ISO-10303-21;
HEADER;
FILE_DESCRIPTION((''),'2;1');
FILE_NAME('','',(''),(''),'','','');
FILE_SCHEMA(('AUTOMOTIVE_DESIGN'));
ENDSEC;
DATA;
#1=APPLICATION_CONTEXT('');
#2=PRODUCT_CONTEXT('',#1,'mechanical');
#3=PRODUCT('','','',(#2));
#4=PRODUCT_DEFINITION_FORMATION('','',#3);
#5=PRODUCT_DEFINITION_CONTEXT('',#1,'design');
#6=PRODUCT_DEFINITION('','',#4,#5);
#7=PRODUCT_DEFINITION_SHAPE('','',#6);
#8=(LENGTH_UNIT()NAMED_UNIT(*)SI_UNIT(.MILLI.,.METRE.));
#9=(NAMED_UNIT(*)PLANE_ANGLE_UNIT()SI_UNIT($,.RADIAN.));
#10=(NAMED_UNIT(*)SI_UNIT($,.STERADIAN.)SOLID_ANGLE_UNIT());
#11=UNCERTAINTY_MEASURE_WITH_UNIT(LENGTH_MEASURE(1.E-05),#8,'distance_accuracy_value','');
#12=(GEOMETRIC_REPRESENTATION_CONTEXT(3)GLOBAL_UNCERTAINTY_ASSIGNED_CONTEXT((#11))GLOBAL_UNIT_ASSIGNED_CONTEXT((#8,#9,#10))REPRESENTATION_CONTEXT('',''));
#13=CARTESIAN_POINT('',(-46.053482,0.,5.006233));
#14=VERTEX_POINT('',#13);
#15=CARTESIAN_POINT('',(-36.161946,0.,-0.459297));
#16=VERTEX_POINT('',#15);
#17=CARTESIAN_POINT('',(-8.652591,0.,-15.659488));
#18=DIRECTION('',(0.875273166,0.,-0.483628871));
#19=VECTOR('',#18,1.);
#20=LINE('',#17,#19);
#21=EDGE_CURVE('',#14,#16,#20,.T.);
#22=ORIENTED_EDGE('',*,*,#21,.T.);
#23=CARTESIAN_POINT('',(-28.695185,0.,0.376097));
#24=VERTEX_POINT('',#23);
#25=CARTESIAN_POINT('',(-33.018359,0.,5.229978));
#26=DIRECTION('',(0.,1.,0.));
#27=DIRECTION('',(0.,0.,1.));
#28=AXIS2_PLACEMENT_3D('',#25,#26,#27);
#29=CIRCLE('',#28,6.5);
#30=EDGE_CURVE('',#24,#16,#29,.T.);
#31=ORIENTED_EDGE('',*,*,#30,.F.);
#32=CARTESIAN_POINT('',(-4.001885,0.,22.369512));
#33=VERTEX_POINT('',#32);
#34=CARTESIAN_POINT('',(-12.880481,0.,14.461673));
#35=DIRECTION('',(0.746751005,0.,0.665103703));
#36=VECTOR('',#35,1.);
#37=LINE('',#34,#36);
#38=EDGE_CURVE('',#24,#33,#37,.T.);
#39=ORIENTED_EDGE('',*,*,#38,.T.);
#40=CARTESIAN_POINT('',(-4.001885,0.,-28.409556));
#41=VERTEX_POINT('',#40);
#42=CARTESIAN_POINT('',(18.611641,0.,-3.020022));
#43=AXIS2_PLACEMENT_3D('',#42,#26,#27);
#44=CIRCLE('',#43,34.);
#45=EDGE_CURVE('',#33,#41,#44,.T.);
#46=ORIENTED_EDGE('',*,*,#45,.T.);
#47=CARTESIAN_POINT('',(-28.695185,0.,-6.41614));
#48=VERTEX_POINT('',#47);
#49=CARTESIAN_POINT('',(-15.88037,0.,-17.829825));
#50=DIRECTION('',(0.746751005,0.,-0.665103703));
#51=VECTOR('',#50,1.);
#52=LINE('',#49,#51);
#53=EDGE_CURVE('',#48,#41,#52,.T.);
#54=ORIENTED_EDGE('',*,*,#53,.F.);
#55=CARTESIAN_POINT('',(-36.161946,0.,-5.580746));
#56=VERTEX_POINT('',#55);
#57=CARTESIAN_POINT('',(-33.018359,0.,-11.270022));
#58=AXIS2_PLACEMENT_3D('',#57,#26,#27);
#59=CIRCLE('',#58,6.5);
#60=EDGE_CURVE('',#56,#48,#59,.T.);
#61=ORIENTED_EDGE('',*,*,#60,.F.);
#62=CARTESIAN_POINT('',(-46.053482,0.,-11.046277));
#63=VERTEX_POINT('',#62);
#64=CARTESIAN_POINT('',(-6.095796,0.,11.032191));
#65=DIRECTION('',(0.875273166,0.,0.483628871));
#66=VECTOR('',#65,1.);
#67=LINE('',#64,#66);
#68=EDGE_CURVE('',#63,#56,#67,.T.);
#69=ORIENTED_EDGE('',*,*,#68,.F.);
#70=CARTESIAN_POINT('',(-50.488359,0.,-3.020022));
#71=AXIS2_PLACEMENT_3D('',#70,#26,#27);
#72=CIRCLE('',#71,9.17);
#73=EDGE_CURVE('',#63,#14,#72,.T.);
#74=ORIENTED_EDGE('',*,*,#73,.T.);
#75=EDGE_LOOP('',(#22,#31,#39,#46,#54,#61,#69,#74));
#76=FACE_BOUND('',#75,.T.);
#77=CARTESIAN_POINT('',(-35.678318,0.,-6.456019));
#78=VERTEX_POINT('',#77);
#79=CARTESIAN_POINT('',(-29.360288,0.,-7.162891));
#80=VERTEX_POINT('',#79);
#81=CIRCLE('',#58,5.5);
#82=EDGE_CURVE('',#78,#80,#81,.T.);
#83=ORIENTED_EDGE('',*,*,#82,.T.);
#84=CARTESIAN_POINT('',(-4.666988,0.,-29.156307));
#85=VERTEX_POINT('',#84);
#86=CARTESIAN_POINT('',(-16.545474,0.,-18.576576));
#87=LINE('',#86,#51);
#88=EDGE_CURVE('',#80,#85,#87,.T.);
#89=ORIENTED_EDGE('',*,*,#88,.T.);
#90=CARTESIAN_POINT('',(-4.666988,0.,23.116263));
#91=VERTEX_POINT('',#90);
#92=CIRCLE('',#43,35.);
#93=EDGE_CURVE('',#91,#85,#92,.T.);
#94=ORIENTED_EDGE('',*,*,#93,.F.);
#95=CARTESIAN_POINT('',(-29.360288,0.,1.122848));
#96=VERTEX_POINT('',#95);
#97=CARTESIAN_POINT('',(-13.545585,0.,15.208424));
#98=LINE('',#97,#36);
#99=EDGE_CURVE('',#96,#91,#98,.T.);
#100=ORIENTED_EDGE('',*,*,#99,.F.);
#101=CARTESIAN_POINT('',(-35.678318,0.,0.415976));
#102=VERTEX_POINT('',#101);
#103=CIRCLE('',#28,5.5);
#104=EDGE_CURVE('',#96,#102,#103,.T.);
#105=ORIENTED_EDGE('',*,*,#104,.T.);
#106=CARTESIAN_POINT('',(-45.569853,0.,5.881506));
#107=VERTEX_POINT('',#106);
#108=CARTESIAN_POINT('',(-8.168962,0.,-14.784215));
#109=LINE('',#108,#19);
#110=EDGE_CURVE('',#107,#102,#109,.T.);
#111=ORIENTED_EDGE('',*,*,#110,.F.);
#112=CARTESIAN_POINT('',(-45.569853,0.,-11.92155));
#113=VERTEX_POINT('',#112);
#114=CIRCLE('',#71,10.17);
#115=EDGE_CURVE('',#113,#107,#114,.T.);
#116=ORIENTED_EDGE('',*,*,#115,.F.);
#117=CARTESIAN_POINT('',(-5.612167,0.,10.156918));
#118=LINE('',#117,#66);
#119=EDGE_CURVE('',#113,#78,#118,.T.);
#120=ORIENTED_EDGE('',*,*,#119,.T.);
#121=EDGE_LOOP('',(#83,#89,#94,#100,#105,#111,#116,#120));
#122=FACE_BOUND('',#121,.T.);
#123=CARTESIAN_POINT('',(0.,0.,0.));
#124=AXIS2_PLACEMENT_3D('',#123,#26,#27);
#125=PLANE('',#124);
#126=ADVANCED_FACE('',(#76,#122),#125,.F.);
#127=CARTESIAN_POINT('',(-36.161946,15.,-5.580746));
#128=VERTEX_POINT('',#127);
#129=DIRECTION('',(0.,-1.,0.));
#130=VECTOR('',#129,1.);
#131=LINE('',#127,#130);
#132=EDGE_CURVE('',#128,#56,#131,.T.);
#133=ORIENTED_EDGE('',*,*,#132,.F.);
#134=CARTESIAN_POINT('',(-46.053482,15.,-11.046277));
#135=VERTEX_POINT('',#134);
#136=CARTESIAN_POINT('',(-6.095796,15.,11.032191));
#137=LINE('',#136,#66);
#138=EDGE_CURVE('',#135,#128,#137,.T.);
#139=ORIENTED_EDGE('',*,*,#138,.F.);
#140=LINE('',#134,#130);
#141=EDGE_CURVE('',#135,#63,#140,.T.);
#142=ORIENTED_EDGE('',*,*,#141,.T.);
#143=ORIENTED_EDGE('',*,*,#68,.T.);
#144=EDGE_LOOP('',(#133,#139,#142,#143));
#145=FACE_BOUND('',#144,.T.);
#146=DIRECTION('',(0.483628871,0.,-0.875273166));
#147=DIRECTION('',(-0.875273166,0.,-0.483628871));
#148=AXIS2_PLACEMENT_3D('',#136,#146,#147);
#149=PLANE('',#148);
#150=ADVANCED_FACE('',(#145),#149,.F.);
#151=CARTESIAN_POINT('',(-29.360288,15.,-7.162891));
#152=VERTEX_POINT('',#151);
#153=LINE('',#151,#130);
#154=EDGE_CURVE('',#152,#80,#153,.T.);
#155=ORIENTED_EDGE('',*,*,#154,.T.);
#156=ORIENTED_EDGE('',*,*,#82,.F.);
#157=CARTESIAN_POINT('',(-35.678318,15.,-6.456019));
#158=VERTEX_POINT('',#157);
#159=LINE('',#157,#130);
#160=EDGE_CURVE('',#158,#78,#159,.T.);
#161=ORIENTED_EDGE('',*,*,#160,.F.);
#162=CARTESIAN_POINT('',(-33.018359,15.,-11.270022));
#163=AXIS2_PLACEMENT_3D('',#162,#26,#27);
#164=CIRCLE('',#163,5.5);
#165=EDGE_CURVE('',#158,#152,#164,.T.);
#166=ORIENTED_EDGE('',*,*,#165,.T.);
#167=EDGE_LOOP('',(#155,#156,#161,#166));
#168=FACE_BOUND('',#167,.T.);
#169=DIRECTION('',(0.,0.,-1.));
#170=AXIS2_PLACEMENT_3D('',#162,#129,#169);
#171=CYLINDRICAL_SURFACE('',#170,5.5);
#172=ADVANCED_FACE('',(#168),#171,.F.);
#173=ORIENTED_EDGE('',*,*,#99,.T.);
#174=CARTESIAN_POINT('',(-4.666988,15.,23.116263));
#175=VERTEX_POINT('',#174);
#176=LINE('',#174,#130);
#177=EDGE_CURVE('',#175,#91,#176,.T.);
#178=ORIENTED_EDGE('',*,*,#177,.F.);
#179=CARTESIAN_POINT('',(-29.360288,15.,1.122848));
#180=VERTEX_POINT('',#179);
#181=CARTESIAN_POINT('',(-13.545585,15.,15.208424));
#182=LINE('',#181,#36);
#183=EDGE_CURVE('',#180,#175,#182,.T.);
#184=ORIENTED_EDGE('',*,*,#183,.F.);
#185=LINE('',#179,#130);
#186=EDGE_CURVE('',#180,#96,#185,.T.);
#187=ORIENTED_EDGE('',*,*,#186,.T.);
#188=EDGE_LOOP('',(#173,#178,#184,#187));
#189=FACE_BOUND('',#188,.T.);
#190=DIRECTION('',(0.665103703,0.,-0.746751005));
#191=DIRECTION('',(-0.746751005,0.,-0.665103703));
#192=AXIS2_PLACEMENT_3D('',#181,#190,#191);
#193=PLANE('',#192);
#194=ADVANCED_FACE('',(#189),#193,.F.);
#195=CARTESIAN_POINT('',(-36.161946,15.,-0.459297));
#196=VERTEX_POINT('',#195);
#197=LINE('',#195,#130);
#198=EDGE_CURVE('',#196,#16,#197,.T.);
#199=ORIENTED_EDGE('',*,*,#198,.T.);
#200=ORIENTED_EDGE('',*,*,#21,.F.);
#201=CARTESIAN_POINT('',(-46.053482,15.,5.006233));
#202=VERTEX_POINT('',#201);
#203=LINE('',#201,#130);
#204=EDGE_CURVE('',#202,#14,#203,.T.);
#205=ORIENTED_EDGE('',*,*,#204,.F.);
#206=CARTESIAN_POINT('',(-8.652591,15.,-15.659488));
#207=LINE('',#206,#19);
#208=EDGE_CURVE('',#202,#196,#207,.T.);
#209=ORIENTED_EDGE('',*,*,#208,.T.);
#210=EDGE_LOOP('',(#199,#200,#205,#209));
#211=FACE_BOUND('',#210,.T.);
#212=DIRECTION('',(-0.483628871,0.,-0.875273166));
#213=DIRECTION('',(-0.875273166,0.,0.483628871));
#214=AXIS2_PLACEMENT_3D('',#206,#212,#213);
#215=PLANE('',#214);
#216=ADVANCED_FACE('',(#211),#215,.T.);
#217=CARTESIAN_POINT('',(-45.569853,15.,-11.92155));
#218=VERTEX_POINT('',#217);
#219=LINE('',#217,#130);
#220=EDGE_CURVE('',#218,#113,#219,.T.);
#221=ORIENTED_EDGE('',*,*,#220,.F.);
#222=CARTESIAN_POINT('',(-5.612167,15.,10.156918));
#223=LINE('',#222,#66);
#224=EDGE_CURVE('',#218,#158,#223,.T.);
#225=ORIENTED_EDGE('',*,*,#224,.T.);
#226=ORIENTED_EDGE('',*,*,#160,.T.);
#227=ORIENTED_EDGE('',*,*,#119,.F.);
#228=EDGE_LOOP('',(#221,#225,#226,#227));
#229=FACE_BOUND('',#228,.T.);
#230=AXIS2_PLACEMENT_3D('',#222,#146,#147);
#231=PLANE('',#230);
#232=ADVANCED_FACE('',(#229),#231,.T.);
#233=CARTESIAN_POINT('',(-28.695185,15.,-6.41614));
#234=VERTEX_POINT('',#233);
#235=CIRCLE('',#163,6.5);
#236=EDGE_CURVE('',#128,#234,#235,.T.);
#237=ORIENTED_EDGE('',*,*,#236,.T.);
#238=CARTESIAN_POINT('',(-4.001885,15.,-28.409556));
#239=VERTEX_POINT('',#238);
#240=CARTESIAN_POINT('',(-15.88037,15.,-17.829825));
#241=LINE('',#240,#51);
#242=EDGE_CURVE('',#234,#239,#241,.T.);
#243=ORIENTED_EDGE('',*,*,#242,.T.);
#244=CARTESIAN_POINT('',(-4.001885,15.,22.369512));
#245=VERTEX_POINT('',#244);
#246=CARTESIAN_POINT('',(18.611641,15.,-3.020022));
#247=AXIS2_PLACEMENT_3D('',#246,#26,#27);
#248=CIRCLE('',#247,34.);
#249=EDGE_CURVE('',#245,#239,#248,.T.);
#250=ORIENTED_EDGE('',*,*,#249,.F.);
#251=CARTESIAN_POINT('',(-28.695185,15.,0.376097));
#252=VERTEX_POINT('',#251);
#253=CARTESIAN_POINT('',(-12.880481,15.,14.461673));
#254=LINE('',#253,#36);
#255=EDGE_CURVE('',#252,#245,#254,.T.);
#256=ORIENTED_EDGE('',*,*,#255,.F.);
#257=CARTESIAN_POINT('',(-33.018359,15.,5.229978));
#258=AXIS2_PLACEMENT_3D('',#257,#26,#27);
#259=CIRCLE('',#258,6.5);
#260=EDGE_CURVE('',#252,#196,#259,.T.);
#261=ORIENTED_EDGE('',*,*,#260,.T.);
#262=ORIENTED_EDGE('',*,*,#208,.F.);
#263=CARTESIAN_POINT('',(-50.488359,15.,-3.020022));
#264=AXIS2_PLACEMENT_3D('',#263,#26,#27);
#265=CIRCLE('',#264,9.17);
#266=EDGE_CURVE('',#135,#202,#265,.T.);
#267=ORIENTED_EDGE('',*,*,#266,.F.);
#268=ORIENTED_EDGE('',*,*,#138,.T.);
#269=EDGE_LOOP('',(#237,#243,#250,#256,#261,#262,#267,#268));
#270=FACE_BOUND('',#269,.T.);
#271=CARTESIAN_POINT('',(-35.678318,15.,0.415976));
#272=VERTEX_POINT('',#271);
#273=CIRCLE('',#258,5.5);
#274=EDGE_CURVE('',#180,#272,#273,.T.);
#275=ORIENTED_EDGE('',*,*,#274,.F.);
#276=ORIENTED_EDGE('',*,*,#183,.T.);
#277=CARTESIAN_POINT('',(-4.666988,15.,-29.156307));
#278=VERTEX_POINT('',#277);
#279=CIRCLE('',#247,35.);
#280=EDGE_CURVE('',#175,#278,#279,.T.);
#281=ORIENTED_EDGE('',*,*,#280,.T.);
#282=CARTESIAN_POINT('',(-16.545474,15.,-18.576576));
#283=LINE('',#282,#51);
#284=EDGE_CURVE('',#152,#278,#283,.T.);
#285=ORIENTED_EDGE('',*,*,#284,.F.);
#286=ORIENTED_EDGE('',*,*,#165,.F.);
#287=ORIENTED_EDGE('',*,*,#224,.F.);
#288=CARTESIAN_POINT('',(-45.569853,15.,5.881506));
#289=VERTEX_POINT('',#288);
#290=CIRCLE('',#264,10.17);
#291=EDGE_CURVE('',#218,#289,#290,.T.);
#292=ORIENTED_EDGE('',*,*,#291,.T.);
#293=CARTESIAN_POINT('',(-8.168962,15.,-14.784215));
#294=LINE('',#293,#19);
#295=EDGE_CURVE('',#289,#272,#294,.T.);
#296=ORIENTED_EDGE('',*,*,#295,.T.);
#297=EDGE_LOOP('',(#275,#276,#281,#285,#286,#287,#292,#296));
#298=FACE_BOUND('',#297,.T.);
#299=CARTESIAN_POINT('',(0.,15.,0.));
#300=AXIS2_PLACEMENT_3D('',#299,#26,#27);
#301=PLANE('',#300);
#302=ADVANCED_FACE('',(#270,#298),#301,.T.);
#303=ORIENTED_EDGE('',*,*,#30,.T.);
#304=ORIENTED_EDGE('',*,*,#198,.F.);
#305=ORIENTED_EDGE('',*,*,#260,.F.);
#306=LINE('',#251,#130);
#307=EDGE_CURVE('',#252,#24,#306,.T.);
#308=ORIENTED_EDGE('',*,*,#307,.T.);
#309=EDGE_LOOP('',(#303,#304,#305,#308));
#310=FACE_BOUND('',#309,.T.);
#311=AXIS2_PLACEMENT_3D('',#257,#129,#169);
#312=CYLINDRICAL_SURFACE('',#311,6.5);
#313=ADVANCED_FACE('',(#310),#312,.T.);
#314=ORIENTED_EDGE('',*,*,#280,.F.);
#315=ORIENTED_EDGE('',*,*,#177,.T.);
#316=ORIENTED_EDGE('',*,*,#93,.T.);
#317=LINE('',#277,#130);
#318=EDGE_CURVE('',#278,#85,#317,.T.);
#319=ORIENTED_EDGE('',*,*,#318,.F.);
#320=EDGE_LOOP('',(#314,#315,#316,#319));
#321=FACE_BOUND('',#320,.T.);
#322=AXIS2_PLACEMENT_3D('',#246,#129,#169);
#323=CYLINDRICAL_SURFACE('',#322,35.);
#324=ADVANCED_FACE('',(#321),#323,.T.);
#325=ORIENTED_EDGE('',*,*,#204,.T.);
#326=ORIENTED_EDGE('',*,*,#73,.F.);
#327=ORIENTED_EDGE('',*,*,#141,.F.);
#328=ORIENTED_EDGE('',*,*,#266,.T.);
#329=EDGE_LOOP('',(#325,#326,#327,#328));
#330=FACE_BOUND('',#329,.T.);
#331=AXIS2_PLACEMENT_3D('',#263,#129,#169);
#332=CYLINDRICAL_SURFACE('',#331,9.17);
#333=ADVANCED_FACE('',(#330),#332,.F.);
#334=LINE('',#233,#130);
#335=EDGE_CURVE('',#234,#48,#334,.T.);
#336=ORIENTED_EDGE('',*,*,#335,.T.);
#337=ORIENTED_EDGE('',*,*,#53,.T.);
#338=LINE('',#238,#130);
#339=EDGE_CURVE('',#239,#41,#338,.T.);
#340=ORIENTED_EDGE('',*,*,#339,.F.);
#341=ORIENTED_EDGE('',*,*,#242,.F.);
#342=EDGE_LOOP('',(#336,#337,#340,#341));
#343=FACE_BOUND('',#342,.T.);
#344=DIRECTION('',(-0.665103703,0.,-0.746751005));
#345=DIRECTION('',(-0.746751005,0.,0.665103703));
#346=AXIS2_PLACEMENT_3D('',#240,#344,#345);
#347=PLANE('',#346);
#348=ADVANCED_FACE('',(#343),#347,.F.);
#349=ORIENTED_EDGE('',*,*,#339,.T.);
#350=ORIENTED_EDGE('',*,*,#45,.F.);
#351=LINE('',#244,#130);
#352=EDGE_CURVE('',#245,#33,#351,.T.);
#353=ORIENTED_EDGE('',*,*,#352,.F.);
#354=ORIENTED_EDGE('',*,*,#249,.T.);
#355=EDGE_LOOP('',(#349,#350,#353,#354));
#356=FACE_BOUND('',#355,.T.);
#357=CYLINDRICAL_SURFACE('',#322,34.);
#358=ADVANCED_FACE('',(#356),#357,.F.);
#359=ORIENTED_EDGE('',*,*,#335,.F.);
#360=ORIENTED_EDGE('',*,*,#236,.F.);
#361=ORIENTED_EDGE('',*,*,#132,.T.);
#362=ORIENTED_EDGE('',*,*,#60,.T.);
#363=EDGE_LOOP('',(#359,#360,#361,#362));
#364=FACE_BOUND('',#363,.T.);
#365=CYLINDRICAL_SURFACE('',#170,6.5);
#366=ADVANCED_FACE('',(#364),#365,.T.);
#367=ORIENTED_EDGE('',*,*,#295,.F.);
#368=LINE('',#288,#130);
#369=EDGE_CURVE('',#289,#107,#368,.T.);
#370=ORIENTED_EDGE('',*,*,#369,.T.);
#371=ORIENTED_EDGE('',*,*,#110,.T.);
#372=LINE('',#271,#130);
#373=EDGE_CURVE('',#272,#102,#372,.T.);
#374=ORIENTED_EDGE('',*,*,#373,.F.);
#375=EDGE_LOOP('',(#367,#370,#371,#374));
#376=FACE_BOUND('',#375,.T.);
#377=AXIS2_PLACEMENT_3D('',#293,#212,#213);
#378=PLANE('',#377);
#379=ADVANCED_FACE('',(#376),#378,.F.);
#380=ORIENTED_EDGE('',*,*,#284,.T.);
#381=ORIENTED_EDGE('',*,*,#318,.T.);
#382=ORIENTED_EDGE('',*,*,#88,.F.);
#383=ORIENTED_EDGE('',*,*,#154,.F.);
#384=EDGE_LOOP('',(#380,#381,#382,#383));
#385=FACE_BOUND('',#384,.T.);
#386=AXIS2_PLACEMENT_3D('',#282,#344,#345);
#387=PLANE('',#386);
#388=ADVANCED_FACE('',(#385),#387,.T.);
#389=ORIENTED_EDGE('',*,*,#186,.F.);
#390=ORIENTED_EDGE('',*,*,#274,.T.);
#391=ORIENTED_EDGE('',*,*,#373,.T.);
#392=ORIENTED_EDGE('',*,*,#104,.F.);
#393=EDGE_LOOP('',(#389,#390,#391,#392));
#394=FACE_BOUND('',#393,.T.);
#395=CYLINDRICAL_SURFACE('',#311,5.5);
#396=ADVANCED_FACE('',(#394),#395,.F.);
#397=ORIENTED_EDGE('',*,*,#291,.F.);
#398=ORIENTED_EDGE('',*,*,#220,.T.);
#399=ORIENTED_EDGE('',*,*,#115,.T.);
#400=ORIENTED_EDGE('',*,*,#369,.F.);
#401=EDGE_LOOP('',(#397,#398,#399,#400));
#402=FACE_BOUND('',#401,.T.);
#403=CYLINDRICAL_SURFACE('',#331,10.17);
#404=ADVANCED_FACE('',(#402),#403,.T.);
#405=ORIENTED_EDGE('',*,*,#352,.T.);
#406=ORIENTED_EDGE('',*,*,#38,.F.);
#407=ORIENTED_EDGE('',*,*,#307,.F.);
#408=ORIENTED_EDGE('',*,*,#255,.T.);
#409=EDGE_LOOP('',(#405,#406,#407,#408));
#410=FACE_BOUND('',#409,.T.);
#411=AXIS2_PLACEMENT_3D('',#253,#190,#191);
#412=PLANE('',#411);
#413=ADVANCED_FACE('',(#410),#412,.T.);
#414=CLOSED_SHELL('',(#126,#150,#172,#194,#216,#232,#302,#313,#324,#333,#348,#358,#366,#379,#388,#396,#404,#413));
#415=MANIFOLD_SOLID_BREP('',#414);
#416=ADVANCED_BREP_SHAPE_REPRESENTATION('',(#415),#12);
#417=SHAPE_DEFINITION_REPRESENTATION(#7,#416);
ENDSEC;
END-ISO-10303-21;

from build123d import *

# Parameters (mm, degrees)
BOSS_EXTRUDE1_DEPTH = 15


with BuildPart() as part:
    # Sketch1 → Boss-Extrude1 (new body)
    with BuildSketch(Plane(origin=(0, 0, 0), x_dir=(1, 0, 0), z_dir=(0, 1, 0))):
        with BuildLine():
            ThreePointArc((-4.666988449, -23.116263327), (53.611641171, 3.020021854), (-4.666988449, 29.156307034))
            Line((-4.666988449, 29.156307034), (-29.36028846, 7.162891325))
            ThreePointArc((-29.36028846, 7.162891325), (-32.406824983, 5.804125188), (-35.678317621, 6.456019442))
            Line((-35.678317621, 6.456019442), (-45.569853208, 11.92154995))
            ThreePointArc((-45.569853208, 11.92154995), (-60.658358829, 3.020021854), (-45.569853208, -5.881506243))
            Line((-45.569853208, -5.881506243), (-35.678317621, -0.415975734))
            ThreePointArc((-35.678317621, -0.415975734), (-32.406824983, 0.235918519), (-29.36028846, -1.122847618))
            Line((-29.36028846, -1.122847618), (-4.666988449, -23.116263327))
        make_face()
        with BuildLine():
            ThreePointArc((-46.053482079, -5.006233077), (-59.658358829, 3.020021854), (-46.053482079, 11.046276784))
            Line((-46.053482079, 11.046276784), (-36.161946493, 5.580746276))
            ThreePointArc((-36.161946493, 5.580746276), (-32.295637011, 4.810325795), (-28.695184757, 6.41614032))
            Line((-28.695184757, 6.41614032), (-4.001884745, 28.409556029))
            ThreePointArc((-4.001884745, 28.409556029), (52.611641171, 3.020021854), (-4.001884745, -22.369512322))
            Line((-4.001884745, -22.369512322), (-28.695184757, -0.376096613))
            ThreePointArc((-28.695184757, -0.376096613), (-32.295637011, 1.229717913), (-36.161946493, 0.459297432))
            Line((-36.161946493, 0.459297432), (-46.053482079, -5.006233077))
        make_face(mode=Mode.SUBTRACT)
    extrude(amount=BOSS_EXTRUDE1_DEPTH)


solid = part.part
